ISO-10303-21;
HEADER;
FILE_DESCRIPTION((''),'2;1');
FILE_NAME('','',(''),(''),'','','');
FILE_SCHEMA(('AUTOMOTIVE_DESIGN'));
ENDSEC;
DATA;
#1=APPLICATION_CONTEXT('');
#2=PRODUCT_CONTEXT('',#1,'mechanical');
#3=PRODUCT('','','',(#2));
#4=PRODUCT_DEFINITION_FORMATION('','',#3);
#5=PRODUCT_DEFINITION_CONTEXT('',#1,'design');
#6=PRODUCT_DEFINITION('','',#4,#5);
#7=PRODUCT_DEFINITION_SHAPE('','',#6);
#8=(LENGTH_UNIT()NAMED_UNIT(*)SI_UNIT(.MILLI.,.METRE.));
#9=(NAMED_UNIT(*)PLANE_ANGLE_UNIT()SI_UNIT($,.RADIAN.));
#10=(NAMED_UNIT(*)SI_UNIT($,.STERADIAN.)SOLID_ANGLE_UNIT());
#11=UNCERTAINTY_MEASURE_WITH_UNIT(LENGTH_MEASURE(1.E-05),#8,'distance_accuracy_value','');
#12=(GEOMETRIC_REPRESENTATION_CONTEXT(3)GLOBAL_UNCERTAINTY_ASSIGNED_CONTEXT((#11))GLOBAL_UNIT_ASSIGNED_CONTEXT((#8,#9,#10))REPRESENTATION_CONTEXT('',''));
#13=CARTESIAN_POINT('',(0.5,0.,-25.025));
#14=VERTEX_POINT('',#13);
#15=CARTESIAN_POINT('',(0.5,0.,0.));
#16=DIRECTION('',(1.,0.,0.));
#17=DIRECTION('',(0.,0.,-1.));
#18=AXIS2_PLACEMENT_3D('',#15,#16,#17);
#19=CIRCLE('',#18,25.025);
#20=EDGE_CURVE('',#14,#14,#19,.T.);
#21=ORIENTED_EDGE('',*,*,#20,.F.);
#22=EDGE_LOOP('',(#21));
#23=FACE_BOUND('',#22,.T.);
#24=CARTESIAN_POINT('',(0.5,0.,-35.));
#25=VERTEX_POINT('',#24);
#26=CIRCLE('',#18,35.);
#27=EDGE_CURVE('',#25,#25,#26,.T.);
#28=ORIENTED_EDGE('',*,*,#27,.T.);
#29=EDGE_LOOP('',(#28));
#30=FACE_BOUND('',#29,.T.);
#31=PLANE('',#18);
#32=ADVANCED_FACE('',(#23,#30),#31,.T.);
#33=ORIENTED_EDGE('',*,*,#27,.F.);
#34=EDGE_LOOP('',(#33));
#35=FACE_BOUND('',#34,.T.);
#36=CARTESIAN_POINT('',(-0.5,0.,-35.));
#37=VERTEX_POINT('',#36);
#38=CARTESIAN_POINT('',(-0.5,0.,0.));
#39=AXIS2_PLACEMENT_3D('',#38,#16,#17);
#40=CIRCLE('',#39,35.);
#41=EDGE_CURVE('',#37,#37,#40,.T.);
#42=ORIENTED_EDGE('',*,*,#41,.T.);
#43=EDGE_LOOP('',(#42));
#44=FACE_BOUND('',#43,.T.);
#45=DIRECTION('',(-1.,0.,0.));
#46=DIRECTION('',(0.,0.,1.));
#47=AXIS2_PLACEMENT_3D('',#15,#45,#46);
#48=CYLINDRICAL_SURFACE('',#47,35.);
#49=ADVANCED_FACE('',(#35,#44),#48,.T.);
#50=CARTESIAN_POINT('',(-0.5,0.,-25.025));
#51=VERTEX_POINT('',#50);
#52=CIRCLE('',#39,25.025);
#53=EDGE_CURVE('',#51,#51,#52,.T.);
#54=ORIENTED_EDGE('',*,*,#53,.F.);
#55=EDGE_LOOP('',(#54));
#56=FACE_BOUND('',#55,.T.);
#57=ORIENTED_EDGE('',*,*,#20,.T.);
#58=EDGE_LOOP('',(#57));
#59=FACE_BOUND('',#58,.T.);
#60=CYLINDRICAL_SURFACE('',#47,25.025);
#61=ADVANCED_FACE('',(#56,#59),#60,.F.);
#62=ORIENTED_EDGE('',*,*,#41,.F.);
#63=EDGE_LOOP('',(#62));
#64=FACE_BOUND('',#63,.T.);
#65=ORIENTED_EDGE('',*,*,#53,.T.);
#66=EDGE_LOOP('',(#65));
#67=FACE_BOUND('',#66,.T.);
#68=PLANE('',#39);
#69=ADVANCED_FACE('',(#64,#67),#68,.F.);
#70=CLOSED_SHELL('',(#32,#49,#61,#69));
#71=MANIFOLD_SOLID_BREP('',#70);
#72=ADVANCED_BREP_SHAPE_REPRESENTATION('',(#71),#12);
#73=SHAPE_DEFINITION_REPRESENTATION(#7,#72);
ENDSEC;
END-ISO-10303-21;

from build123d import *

# Parameters (mm, degrees)
SKETCH3_R                = 35
SKETCH3_R_2              = 25.025
BOSS_EXTRUDE1_DEPTH      = 0.5
BOSS_EXTRUDE1_DEPTH_BACK = 0.5


with BuildPart() as part:
    # Sketch3 → Boss-Extrude1 (new body, two sides)
    with BuildSketch(Plane(origin=(0, 0, 0), x_dir=(0, 0, -1), z_dir=(1, 0, 0))) as boss_extrude1_sk:
        Circle(SKETCH3_R)
        Circle(SKETCH3_R_2, mode=Mode.SUBTRACT)
    extrude(amount=BOSS_EXTRUDE1_DEPTH)
    extrude(boss_extrude1_sk.sketch, amount=-BOSS_EXTRUDE1_DEPTH_BACK)


solid = part.part
